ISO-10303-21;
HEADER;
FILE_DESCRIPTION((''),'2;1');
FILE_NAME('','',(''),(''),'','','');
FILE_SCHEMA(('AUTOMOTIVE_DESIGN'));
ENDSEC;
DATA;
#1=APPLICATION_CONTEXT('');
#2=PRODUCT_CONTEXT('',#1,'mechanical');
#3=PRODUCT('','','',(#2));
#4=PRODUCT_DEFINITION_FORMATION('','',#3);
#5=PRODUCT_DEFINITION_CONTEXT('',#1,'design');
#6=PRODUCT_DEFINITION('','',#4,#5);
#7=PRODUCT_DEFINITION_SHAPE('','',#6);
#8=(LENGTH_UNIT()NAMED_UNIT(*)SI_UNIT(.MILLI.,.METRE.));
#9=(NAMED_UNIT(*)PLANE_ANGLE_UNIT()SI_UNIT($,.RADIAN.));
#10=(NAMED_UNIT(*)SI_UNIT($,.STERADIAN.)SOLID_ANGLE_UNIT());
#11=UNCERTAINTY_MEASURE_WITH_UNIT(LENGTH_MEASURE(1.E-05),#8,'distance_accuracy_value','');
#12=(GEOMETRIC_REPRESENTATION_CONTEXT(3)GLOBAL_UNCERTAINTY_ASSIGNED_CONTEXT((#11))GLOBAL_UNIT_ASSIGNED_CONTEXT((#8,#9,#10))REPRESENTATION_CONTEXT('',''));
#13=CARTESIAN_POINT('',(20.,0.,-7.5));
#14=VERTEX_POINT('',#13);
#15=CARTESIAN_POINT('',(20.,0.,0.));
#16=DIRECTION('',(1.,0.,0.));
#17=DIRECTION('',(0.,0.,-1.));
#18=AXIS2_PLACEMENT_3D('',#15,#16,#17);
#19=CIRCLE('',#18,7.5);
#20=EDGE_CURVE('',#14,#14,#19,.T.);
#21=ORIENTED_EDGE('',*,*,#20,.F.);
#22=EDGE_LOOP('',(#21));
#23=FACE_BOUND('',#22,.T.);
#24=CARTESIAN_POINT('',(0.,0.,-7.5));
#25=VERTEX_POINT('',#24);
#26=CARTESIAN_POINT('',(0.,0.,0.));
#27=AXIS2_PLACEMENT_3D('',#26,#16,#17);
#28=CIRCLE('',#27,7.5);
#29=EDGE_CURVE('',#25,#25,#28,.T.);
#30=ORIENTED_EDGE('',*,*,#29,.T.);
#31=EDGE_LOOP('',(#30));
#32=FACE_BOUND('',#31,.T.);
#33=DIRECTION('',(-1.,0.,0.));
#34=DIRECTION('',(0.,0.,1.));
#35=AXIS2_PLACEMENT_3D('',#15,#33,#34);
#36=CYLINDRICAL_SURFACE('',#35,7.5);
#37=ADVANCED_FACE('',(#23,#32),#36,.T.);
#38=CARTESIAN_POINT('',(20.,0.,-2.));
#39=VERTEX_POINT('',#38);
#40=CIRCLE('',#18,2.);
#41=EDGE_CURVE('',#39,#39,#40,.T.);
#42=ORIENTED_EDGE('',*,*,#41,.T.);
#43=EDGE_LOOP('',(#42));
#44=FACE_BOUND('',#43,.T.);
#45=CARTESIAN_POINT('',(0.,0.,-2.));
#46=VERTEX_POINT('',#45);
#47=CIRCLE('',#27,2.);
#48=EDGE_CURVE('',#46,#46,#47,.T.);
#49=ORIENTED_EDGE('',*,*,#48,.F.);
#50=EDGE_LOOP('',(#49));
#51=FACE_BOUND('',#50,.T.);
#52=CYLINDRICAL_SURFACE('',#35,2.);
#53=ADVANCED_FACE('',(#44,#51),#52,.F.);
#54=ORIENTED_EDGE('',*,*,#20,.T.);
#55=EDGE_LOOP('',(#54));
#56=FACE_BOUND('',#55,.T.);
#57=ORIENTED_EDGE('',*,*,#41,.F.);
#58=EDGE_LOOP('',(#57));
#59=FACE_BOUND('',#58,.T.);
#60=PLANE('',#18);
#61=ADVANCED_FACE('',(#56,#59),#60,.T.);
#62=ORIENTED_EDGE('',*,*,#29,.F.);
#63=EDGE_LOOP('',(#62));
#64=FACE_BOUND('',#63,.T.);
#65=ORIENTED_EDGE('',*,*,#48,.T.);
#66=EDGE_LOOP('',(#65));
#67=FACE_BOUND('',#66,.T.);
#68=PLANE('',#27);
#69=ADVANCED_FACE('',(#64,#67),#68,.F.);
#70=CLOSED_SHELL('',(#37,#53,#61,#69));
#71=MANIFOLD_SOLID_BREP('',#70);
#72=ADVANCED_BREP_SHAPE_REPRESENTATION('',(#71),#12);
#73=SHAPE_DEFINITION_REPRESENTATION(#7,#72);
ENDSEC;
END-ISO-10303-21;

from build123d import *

# Parameters (mm, degrees)
SKETCH2_R           = 7.5
SKETCH2_R_2         = 2
BOSS_EXTRUDE1_DEPTH = 20


with BuildPart() as part:
    # Sketch2 → Boss-Extrude1 (new body)
    with BuildSketch(Plane(origin=(0, 0, 0), x_dir=(0, 0, -1), z_dir=(1, 0, 0))):
        Circle(SKETCH2_R)
        Circle(SKETCH2_R_2, mode=Mode.SUBTRACT)
    extrude(amount=BOSS_EXTRUDE1_DEPTH)


solid = part.part
